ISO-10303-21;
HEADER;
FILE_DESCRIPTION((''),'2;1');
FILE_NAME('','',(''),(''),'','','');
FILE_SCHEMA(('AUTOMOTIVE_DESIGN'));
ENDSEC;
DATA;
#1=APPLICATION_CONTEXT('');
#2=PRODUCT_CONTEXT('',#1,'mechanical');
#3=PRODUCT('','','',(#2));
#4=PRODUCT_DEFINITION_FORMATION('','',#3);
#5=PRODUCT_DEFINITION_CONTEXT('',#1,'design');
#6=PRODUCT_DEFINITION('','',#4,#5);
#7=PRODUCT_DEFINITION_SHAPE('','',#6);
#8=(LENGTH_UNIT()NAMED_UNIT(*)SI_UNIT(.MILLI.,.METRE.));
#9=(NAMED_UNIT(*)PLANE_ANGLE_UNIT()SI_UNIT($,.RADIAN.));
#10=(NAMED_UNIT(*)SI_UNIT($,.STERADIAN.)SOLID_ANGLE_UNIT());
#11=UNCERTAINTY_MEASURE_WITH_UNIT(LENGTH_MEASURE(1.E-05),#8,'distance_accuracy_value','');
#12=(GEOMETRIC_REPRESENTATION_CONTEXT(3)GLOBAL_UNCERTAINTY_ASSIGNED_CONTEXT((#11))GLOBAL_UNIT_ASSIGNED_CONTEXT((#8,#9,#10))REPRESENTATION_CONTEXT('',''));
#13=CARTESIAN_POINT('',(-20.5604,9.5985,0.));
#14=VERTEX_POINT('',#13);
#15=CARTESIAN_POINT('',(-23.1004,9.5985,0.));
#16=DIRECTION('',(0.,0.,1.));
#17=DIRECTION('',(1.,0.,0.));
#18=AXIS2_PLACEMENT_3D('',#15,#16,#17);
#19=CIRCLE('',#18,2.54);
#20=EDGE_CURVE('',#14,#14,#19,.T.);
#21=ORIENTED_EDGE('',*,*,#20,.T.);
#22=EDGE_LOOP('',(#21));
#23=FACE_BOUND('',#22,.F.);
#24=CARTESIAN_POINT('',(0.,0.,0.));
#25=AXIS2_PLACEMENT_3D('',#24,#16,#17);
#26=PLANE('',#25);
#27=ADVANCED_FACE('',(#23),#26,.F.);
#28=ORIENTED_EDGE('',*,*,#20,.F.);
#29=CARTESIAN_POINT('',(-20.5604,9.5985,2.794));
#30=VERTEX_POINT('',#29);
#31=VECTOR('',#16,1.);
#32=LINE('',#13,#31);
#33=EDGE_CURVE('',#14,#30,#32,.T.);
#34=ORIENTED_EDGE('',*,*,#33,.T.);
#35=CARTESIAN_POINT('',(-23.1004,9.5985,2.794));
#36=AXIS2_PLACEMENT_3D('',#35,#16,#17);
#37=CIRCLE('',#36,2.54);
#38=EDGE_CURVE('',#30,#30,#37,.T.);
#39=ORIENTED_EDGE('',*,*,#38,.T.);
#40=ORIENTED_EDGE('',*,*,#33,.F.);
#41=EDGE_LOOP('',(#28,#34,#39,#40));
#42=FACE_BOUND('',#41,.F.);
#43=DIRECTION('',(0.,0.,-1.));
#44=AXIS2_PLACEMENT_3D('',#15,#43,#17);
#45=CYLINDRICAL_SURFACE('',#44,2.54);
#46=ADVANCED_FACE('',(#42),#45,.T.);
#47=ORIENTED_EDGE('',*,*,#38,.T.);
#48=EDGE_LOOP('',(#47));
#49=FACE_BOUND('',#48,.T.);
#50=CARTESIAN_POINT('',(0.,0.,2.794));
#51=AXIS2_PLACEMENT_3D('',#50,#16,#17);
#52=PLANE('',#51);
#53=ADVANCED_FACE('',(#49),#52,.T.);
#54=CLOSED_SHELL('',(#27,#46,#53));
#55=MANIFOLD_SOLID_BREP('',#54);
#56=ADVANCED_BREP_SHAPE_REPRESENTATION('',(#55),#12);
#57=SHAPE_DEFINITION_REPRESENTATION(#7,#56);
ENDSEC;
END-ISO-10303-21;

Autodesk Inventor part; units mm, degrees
ref_plane "YZ Plane" through (0, 0, 0) normal (1, 0, 0) x (0, 1, 0)
ref_plane "XZ Plane" through (0, 0, 0) normal (0, 1, 0) x (-1, 0, 0)
ref_plane "XY Plane" through (0, 0, 0) normal (0, 0, 1) x (1, 0, 0)
sketch "Sketch1" plane through (0, 0, 0) normal (0, 0, 1) x (1, 0, 0)
  circle A0 centre (-23.1004, 9.5985) radius 2.54
  point P0 (0, 0)
  dimension "d0" = 5.08
  dimension "d0" = 5.08
extrude "Extrusion1" add sketch "Sketch1" along normal blind 2.794
properties part number "Spacer"
